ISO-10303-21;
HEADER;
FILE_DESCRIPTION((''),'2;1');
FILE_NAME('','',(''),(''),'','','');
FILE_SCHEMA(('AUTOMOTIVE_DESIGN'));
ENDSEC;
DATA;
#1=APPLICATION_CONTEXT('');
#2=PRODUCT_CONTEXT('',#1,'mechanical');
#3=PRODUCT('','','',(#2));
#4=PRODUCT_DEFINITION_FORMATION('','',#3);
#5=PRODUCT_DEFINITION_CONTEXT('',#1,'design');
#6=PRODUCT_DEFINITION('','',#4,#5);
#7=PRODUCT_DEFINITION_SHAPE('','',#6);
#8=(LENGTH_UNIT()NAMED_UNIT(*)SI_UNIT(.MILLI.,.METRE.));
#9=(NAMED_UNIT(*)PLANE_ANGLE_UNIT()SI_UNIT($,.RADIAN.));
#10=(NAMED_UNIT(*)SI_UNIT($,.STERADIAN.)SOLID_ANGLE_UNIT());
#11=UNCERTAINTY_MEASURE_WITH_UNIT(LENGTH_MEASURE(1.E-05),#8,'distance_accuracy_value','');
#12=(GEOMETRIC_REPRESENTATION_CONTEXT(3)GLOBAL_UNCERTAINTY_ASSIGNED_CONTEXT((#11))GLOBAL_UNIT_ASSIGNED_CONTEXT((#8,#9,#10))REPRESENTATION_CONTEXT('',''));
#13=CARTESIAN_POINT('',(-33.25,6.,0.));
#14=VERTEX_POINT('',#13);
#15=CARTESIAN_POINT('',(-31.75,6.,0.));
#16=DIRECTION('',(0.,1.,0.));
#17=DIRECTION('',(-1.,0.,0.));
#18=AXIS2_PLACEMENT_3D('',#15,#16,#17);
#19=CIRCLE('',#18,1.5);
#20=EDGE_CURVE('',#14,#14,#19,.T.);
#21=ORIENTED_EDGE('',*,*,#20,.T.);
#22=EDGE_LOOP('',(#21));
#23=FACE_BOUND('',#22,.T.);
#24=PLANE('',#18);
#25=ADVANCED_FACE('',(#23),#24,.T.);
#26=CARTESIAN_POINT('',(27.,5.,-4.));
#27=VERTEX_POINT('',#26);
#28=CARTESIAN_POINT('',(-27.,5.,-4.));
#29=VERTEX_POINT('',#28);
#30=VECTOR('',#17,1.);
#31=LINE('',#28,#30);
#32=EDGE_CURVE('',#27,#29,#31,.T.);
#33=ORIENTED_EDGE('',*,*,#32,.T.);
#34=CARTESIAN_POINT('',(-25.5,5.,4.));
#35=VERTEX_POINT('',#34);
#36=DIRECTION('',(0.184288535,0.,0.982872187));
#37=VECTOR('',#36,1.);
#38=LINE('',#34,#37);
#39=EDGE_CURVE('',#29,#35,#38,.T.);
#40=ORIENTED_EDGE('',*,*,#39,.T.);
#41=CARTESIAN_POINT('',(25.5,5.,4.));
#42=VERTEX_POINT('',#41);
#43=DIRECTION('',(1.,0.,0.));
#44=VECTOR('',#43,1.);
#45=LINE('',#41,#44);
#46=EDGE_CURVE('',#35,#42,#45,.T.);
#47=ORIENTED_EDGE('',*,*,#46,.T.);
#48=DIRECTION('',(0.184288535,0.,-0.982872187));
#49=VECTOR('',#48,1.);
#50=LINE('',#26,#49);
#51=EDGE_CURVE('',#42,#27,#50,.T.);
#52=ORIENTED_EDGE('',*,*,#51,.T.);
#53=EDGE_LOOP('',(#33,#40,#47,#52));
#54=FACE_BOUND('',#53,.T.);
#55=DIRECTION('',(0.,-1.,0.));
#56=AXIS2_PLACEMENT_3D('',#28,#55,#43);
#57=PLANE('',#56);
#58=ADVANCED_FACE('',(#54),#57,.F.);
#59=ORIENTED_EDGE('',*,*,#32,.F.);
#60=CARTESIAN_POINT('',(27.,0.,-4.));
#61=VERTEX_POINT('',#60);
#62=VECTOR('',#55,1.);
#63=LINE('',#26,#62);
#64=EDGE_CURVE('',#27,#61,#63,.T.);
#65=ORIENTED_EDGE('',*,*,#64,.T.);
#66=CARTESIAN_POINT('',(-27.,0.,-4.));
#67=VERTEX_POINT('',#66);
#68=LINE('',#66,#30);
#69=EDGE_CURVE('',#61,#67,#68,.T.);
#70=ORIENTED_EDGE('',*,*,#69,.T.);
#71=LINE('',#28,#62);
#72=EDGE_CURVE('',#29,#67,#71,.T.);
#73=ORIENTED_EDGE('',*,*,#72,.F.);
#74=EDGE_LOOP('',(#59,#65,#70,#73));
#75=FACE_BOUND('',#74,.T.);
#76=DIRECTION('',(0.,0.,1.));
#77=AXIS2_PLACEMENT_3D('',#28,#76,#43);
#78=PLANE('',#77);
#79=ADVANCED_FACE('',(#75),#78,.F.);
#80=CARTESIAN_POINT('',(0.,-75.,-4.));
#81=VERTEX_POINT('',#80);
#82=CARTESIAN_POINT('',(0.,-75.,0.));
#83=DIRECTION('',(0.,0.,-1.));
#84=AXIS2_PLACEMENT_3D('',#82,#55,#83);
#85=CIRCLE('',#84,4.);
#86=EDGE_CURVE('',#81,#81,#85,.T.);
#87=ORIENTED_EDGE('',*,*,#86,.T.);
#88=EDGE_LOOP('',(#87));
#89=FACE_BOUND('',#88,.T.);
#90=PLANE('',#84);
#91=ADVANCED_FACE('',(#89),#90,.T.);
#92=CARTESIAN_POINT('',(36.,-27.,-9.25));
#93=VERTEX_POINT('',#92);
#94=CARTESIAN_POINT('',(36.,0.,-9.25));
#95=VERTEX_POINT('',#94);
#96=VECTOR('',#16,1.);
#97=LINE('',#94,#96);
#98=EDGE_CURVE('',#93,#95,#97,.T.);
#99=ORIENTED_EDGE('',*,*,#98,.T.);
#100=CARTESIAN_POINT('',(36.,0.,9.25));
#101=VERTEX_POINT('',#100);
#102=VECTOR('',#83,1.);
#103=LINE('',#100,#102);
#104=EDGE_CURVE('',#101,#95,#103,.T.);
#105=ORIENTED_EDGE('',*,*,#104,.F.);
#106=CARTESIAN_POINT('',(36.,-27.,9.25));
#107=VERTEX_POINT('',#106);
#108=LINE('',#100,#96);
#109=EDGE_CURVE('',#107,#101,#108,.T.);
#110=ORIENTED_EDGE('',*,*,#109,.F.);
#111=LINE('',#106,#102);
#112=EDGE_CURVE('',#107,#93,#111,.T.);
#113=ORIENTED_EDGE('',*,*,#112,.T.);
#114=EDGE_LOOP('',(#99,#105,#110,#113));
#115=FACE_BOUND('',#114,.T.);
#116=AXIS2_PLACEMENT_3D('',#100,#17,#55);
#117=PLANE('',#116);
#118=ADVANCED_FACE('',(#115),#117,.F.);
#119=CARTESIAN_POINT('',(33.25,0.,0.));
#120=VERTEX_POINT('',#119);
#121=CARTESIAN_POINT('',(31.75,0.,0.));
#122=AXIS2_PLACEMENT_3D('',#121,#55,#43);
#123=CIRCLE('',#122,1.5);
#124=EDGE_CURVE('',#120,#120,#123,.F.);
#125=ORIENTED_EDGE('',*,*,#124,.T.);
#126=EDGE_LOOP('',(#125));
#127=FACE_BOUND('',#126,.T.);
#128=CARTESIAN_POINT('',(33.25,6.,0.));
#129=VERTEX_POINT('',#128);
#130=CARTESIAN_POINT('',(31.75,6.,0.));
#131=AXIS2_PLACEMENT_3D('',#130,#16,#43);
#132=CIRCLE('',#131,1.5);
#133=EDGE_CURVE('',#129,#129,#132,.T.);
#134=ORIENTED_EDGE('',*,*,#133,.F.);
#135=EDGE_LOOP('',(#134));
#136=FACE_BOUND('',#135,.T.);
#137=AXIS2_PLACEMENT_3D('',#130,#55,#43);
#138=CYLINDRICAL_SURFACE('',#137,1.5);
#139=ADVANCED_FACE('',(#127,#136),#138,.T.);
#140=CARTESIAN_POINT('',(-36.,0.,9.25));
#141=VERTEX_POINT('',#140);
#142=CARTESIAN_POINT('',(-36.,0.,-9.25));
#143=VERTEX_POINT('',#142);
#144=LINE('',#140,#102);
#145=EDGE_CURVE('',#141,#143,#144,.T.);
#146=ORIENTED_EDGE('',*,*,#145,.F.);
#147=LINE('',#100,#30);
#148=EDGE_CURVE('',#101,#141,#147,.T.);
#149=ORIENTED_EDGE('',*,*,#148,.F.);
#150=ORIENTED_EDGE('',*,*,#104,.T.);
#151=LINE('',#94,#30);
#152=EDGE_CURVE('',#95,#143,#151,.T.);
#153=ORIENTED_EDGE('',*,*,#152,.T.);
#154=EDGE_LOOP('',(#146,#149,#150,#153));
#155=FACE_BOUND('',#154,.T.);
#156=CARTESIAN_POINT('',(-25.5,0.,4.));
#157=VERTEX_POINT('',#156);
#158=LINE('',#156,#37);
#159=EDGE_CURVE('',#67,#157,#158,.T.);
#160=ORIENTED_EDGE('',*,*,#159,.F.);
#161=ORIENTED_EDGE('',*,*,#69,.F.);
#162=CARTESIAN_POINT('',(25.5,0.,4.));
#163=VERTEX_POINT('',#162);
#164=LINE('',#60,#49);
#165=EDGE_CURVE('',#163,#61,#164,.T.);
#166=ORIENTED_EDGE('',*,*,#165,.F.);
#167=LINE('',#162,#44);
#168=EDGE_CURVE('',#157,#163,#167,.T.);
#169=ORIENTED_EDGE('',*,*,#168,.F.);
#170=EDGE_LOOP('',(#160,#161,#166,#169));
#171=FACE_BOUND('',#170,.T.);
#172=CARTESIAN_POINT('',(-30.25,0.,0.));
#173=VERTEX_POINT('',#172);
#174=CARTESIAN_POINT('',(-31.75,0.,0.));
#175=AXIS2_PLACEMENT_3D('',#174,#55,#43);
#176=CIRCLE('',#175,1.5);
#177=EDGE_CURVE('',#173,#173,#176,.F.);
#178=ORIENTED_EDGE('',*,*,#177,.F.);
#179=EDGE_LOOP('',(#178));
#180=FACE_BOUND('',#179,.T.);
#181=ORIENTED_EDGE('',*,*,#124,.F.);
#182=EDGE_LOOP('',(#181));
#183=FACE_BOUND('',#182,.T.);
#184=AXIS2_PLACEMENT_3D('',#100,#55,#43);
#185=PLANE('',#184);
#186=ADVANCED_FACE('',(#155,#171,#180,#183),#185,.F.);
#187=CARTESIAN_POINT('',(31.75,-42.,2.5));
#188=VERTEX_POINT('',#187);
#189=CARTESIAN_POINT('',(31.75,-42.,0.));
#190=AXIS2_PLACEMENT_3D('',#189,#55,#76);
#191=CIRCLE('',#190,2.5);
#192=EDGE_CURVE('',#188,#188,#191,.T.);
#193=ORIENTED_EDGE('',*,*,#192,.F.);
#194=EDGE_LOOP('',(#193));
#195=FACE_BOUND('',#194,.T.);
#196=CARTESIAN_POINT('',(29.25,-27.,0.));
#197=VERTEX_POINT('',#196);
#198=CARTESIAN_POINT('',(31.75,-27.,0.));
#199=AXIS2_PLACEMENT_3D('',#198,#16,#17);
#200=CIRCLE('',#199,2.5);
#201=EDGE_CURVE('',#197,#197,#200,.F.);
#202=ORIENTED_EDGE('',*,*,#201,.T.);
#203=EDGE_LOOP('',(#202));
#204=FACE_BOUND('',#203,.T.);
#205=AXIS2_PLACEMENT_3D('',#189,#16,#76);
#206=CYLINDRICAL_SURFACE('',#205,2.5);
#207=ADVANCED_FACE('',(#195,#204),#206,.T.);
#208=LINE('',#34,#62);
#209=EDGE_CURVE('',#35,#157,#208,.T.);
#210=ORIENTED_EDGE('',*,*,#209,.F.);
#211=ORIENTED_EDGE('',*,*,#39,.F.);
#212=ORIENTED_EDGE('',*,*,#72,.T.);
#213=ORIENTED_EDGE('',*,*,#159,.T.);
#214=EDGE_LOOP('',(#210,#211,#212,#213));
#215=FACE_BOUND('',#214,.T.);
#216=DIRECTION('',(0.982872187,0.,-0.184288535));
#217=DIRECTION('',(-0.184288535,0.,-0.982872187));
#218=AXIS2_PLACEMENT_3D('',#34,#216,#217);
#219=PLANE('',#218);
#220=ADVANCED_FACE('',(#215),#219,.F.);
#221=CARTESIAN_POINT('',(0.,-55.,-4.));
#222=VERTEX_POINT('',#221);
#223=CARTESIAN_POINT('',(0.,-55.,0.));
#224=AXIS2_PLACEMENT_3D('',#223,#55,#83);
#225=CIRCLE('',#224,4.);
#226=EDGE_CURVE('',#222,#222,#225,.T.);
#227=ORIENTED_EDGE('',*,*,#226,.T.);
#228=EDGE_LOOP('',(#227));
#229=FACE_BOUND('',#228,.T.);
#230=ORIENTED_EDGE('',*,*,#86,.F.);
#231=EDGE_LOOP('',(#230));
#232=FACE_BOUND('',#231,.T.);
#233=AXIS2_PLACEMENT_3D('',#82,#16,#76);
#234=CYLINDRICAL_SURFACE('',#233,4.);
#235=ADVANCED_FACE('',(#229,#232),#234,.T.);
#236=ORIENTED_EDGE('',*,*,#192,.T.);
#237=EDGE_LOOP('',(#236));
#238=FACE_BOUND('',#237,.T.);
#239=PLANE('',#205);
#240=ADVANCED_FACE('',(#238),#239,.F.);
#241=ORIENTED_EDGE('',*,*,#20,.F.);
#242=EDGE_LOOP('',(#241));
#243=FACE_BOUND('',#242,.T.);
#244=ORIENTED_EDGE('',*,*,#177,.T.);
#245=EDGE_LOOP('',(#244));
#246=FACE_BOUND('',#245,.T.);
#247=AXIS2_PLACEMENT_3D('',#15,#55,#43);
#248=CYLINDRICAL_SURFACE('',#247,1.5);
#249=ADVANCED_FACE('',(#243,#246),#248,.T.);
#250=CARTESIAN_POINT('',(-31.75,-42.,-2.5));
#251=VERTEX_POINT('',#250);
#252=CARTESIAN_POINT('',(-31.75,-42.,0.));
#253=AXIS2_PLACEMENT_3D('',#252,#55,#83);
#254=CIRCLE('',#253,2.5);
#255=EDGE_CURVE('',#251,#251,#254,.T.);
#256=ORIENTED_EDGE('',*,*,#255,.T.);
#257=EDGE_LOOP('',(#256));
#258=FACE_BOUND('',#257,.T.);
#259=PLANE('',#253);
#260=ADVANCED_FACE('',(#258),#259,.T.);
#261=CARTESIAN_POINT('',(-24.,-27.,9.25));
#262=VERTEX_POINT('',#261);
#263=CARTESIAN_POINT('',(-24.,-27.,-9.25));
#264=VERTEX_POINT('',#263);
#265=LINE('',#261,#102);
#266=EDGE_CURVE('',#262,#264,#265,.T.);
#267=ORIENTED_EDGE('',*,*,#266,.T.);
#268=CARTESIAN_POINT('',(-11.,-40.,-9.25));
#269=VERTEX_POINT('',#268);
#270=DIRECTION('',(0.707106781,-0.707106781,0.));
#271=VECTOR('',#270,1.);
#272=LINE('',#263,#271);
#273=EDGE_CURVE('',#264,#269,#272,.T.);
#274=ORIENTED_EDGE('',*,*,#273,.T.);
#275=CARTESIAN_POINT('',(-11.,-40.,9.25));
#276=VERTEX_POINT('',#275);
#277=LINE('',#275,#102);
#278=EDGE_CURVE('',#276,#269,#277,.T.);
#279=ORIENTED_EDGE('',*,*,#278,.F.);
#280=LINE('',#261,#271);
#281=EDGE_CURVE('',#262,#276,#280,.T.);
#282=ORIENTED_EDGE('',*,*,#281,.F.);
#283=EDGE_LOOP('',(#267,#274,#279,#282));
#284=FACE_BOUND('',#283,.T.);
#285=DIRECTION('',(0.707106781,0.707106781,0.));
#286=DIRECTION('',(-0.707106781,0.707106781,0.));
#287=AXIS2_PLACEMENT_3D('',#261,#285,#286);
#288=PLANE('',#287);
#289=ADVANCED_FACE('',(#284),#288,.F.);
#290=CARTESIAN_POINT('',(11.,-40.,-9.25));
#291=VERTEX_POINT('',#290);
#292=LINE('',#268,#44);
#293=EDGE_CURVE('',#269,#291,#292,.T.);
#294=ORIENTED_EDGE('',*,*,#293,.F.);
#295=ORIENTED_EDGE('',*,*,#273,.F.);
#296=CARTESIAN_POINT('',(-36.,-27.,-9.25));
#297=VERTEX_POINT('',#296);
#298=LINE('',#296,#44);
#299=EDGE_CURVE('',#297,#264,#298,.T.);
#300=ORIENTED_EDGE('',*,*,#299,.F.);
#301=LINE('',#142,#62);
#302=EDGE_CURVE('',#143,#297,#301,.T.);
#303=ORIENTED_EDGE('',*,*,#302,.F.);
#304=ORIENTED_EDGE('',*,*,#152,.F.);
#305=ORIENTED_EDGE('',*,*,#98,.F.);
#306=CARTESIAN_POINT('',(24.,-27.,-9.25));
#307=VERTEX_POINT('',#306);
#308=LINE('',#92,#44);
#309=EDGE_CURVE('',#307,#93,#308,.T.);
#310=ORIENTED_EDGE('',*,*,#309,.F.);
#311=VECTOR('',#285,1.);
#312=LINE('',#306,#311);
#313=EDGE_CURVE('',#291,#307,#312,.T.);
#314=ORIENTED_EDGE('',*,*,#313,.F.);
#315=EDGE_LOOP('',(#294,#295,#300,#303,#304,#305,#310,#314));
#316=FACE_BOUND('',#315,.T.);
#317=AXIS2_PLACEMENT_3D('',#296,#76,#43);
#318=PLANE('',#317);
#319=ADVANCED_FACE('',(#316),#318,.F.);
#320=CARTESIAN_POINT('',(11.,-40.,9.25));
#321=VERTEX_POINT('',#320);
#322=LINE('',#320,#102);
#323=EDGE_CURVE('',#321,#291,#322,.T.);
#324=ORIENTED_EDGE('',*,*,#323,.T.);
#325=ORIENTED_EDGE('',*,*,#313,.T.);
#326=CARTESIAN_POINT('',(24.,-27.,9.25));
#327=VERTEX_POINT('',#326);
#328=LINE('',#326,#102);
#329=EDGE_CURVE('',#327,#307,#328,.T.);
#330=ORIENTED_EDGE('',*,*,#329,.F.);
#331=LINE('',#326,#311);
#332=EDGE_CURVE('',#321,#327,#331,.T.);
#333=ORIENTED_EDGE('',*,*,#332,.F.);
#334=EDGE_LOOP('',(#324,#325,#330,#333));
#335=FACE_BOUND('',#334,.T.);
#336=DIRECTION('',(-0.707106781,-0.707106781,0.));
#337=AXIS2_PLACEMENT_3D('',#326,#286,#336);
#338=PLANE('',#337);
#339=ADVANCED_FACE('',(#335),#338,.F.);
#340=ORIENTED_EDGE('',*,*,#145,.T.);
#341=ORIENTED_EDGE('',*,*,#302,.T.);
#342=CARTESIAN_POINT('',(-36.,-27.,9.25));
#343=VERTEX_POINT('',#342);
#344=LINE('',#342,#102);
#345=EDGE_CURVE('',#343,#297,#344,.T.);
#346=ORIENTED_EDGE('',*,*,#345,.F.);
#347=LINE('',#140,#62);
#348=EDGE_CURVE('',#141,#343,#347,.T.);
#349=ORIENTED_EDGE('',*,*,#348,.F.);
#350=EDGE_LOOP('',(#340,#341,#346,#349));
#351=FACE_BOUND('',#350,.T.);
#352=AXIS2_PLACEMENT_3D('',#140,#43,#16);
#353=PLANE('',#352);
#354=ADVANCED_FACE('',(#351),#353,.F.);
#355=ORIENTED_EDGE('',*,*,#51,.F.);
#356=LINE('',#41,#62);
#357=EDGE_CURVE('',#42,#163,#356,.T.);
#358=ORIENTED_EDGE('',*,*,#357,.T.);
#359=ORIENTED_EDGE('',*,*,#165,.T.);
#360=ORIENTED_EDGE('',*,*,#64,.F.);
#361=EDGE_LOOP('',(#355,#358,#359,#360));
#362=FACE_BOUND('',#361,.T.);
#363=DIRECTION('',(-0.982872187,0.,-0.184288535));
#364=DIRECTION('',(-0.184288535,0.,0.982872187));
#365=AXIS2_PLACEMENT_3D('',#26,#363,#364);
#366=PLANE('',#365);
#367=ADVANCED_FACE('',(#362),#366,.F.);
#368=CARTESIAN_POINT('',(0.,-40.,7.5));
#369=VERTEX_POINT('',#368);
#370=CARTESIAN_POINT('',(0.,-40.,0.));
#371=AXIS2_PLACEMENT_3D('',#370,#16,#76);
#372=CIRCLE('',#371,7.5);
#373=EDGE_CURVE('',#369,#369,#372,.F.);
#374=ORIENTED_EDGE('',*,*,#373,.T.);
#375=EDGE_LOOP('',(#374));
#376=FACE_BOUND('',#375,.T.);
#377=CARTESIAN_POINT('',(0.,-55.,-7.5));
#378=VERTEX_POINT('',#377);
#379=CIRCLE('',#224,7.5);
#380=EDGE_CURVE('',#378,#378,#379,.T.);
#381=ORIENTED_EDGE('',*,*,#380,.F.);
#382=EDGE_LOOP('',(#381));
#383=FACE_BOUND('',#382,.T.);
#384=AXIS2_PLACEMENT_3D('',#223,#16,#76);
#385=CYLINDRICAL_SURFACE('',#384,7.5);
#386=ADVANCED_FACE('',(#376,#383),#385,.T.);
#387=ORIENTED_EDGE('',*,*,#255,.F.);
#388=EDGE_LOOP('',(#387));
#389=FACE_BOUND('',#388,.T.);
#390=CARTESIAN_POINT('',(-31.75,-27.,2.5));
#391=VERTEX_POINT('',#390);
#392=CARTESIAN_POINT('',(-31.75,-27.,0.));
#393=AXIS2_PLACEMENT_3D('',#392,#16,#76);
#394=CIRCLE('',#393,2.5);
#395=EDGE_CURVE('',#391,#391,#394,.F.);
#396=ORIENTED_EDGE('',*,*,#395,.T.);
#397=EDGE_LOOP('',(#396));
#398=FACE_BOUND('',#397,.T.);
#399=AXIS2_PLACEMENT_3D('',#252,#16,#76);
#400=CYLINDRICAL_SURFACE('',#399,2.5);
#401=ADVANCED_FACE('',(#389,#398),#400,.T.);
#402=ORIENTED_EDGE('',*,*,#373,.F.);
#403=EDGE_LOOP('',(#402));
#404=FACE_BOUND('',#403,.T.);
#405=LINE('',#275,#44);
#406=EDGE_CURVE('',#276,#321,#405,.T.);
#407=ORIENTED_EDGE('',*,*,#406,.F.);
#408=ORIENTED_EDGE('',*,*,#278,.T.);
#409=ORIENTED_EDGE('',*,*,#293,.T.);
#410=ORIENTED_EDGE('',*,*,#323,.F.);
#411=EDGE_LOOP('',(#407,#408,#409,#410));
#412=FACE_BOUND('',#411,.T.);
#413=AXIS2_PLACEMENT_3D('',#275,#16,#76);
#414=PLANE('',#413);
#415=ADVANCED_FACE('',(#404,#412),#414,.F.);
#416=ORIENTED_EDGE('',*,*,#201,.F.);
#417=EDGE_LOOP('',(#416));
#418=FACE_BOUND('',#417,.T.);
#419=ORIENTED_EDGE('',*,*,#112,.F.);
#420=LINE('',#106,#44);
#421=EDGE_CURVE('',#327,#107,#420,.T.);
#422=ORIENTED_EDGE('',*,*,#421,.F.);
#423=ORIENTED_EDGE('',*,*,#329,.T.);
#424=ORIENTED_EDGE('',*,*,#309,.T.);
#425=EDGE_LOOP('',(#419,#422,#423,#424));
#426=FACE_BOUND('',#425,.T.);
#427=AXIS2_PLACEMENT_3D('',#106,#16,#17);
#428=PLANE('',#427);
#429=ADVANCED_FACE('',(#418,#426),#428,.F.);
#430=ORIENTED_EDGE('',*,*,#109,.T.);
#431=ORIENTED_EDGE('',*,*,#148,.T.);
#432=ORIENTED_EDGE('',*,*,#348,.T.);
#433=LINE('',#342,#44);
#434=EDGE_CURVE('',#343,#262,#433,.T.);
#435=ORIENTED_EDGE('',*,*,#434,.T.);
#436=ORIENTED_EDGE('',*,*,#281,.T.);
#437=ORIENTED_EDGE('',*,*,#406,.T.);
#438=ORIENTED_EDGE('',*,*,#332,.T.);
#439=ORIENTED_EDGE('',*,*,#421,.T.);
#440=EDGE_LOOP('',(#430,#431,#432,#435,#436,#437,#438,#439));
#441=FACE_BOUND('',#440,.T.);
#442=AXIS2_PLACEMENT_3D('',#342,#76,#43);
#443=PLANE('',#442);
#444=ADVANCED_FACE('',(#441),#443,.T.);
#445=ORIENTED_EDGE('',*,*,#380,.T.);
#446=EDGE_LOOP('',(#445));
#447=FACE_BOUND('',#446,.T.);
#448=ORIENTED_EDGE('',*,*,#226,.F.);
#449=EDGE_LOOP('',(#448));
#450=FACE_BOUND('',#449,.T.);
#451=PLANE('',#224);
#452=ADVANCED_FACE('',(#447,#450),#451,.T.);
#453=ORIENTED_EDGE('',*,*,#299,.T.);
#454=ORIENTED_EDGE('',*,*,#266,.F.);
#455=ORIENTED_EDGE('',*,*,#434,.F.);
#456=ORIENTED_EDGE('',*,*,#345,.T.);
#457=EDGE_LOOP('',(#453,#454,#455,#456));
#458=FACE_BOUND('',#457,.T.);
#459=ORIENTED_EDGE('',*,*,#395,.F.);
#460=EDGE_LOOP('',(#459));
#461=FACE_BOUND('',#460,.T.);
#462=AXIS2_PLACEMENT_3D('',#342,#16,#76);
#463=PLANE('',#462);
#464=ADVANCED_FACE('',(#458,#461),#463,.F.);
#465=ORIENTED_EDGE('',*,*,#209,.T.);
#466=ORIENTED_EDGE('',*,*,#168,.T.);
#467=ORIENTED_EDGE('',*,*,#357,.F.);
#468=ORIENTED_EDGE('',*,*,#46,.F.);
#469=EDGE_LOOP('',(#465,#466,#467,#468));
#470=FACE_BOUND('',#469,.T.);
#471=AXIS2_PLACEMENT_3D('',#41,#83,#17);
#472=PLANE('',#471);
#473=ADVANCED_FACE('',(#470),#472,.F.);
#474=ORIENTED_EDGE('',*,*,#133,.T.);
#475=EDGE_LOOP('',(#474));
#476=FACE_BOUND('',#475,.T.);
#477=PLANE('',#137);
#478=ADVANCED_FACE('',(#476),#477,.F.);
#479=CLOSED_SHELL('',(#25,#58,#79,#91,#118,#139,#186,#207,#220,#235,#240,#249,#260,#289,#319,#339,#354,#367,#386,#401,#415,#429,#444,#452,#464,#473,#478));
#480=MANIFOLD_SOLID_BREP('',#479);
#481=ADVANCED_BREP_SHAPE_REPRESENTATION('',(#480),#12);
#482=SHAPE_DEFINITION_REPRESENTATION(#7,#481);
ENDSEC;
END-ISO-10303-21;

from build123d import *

# Parameters (mm, degrees)
EXTRUDE_1_DEPTH = 9.25
SKETCH_2_R      = 7.5
EXTRUDE_2_DEPTH = 15
SKETCH_3_R      = 4
EXTRUDE_3_DEPTH = 20
SKETCH_4_R      = 2.5
EXTRUDE_4_DEPTH = 15
EXTRUDE_5_DEPTH = 5
SKETCH_6_R      = 1.5
EXTRUDE_6_DEPTH = 6


with BuildPart() as part:
    # 草图1 → 凸台-拉伸1 (new, symmetric)
    with BuildSketch(Plane.XY):
        Polygon((36, 0), (-36, 0), (-36, -27), (-24, -27), (-11, -40), (11, -40), (24, -27), (36, -27), align=None)
    extrude(amount=EXTRUDE_1_DEPTH, both=True)

    # 草图2 → 凸台-拉伸2 (add)
    with BuildSketch(Plane.XZ.offset(40)):
        with Locations(Location((0, 0, 0), (0, 0, 90))):
            Circle(SKETCH_2_R)
    extrude(amount=EXTRUDE_2_DEPTH)

    # 草图3 → 凸台-拉伸3 (add)
    with BuildSketch(Plane.XZ.offset(55)):
        with Locations(Location((0, 0, 0), (0, 0, 270))):
            Circle(SKETCH_3_R)
    extrude(amount=EXTRUDE_3_DEPTH)

    # 草图4 → 凸台-拉伸4 (add)
    with BuildSketch(Plane.XZ.offset(27)):
        with Locations(Location((-31.75, 0, 0), (0, 0, 90))):
            Circle(SKETCH_4_R)
        with Locations(Location((31.75, 0, 0), (0, 0, 90))):
            Circle(SKETCH_4_R)
    extrude(amount=EXTRUDE_4_DEPTH)

    # 草图5 → 凸台-拉伸5 (add)
    with BuildSketch(Plane(origin=(0, 0, 0), x_dir=(1, 0, 0), z_dir=(0, 1, 0))):
        Polygon((-27, 4), (27, 4), (25.5, -4), (-25.5, -4), align=None)
    extrude(amount=EXTRUDE_5_DEPTH)

    # 草图6 → 凸台-拉伸6 (add)
    with BuildSketch(Plane(origin=(0, 0, 0), x_dir=(1, 0, 0), z_dir=(0, 1, 0))):
        with Locations((-31.75, 0)):
            Circle(SKETCH_6_R)
        with Locations((31.75, 0)):
            Circle(SKETCH_6_R)
    extrude(amount=EXTRUDE_6_DEPTH)


solid = part.part
